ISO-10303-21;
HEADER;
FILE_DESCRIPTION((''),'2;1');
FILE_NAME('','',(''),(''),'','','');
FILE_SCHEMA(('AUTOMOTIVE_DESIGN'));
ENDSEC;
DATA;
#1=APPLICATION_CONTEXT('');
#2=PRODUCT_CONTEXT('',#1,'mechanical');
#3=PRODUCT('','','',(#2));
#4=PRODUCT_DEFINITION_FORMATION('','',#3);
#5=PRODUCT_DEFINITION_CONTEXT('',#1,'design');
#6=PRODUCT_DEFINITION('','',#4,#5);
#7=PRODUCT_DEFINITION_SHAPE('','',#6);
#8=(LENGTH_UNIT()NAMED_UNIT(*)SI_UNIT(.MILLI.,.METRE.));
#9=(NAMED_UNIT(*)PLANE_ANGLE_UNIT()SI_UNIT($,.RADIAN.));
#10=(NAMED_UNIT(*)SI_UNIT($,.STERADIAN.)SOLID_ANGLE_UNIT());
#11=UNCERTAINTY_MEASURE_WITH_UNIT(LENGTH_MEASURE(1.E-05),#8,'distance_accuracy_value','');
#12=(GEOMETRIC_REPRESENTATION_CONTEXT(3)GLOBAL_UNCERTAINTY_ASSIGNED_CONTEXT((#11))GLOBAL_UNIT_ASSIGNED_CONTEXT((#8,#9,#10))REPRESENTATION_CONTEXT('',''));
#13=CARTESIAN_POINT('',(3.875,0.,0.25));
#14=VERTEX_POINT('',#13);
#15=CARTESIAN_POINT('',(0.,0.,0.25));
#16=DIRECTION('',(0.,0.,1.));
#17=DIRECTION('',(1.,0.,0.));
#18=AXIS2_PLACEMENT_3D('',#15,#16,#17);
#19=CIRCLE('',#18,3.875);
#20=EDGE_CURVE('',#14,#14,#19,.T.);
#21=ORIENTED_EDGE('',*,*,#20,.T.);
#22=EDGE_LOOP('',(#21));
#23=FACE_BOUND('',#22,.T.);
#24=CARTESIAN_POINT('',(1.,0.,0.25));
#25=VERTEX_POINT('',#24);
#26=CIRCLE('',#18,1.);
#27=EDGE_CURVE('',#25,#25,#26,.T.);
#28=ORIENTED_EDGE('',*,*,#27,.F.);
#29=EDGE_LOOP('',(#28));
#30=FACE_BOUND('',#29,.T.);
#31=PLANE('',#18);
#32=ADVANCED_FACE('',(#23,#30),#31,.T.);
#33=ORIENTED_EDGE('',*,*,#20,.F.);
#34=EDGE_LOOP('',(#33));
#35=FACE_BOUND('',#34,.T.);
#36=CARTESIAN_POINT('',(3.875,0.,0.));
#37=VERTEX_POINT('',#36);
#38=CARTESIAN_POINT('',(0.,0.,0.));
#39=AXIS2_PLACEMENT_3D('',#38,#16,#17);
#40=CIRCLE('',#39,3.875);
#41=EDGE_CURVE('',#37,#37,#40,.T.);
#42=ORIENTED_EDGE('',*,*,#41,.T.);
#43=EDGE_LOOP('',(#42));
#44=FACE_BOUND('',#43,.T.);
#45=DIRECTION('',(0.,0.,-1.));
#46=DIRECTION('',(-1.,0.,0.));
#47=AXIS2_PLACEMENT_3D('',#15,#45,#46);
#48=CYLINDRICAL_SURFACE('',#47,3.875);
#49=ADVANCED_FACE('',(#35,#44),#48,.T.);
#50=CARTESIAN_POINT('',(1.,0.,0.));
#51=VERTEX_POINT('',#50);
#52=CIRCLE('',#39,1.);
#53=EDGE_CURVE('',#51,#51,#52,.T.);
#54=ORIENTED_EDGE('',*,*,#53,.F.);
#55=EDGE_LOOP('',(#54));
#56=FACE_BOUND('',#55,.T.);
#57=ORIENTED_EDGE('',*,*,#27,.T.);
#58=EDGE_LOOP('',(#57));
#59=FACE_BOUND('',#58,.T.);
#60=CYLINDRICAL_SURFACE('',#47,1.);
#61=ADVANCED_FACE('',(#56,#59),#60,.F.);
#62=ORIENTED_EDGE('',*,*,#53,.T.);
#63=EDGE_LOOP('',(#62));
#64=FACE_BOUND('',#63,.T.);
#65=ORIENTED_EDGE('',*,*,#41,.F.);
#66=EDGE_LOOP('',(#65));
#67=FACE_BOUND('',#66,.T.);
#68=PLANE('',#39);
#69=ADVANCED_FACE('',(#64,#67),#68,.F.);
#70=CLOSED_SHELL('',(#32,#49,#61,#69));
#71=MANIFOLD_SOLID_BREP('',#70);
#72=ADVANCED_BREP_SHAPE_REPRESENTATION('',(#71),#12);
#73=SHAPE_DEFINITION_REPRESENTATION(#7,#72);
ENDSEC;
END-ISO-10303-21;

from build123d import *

# Parameters (mm, degrees)
CROQUIS1_R              = 3.875
CROQUIS1_R_2            = 1
SALIENTE_EXTRUIR1_DEPTH = 0.25


with BuildPart() as part:
    # Croquis1 → Saliente-Extruir1 (new body)
    with BuildSketch(Plane.XY):
        Circle(CROQUIS1_R)
        Circle(CROQUIS1_R_2, mode=Mode.SUBTRACT)
    extrude(amount=SALIENTE_EXTRUIR1_DEPTH)


solid = part.part
